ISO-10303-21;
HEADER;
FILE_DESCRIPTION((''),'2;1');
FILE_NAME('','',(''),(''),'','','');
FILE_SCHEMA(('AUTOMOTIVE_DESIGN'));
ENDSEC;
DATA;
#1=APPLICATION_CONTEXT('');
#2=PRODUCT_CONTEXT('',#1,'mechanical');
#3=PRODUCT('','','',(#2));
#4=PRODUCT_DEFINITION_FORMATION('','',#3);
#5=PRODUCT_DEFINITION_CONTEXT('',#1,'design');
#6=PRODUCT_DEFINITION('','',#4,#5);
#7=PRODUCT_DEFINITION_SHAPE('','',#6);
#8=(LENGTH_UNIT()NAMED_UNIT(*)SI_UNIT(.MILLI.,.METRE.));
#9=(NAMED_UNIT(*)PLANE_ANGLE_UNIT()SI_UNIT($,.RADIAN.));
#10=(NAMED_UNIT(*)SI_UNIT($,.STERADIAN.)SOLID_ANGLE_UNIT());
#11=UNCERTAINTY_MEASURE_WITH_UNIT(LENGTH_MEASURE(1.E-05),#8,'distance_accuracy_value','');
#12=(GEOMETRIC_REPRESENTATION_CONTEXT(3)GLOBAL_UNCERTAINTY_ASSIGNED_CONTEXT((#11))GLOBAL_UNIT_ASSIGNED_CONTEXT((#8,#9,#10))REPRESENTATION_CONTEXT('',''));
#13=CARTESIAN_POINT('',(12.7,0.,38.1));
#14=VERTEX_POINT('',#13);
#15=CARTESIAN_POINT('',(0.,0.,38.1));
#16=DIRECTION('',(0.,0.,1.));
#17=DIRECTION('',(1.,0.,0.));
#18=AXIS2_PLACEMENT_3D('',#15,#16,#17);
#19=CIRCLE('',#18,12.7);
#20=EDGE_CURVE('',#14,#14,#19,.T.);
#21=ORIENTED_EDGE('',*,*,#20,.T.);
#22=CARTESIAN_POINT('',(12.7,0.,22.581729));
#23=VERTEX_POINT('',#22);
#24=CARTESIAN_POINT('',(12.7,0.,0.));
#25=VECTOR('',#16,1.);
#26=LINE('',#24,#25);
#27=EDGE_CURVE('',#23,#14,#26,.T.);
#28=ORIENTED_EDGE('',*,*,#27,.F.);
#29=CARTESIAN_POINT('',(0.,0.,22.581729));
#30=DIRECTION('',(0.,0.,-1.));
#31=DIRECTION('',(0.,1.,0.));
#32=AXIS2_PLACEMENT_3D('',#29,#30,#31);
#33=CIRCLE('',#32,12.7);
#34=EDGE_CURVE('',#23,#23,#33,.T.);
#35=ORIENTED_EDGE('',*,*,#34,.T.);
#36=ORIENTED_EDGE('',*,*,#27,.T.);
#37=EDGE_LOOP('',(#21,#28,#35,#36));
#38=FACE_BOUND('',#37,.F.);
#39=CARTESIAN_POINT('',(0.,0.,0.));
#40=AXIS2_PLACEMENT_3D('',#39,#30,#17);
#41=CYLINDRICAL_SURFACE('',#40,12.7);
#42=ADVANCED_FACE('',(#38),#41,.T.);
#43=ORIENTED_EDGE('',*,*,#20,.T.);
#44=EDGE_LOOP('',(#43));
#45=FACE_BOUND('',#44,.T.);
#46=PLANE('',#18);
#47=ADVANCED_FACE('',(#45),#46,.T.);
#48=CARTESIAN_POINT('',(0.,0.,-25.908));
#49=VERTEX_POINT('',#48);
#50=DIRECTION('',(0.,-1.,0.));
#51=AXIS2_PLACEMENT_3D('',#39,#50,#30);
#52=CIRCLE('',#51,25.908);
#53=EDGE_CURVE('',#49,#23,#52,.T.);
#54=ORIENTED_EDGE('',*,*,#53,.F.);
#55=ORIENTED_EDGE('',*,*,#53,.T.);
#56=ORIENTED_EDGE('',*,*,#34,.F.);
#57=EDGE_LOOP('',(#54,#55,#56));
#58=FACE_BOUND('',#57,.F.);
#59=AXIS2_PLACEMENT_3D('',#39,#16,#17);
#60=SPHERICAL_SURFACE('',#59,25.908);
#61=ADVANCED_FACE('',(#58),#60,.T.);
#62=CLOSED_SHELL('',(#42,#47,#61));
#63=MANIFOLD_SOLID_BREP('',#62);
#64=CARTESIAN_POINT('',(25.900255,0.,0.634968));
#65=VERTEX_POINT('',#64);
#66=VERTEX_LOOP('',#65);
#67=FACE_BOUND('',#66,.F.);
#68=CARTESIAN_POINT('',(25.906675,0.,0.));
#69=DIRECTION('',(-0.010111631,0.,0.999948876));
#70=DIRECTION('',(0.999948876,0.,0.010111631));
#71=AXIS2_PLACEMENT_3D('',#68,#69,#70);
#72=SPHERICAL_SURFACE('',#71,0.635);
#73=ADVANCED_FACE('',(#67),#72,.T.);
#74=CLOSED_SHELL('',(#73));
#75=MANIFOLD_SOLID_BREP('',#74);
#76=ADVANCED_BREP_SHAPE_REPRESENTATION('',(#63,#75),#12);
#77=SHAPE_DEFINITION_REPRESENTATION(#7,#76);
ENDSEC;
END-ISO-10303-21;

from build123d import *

# Parameters (mm, degrees)
F0_R     = 12.7
F2_DEPTH = 38.1


with BuildPart() as f2:
    # F0 (on Top) → F2 (new body)
    with BuildSketch(Plane.XY):
        Circle(F0_R)
    extrude(amount=F2_DEPTH)

    # F1 (on Front) → F3 (revolve)
    with BuildSketch(Plane.XZ):
        with BuildLine():
            Line((0, 25.908), (0, -25.908))
            ThreePointArc((0, -25.908), (25.908, 0), (0, 25.908))
        make_face()
    revolve(axis=Axis((0, 0, 0), (0, 0, -1)))


with BuildPart() as f5:
    # F4 (on Front) → F5 (revolve)
    with BuildSketch(Plane.XZ):
        with BuildLine():
            Line((25.9002545973, 0.6349675364), (25.9130963692, -0.6349675364))
            ThreePointArc((25.9130963692, -0.6349675364), (26.5416430196, 0.0064208859), (25.9002545973, 0.6349675364))
        make_face()
    revolve(axis=Axis((25.9066754833, 0, 0), (0.0101116314, 0, -0.9999488761)))


solid = Compound([f2.part, f5.part])
